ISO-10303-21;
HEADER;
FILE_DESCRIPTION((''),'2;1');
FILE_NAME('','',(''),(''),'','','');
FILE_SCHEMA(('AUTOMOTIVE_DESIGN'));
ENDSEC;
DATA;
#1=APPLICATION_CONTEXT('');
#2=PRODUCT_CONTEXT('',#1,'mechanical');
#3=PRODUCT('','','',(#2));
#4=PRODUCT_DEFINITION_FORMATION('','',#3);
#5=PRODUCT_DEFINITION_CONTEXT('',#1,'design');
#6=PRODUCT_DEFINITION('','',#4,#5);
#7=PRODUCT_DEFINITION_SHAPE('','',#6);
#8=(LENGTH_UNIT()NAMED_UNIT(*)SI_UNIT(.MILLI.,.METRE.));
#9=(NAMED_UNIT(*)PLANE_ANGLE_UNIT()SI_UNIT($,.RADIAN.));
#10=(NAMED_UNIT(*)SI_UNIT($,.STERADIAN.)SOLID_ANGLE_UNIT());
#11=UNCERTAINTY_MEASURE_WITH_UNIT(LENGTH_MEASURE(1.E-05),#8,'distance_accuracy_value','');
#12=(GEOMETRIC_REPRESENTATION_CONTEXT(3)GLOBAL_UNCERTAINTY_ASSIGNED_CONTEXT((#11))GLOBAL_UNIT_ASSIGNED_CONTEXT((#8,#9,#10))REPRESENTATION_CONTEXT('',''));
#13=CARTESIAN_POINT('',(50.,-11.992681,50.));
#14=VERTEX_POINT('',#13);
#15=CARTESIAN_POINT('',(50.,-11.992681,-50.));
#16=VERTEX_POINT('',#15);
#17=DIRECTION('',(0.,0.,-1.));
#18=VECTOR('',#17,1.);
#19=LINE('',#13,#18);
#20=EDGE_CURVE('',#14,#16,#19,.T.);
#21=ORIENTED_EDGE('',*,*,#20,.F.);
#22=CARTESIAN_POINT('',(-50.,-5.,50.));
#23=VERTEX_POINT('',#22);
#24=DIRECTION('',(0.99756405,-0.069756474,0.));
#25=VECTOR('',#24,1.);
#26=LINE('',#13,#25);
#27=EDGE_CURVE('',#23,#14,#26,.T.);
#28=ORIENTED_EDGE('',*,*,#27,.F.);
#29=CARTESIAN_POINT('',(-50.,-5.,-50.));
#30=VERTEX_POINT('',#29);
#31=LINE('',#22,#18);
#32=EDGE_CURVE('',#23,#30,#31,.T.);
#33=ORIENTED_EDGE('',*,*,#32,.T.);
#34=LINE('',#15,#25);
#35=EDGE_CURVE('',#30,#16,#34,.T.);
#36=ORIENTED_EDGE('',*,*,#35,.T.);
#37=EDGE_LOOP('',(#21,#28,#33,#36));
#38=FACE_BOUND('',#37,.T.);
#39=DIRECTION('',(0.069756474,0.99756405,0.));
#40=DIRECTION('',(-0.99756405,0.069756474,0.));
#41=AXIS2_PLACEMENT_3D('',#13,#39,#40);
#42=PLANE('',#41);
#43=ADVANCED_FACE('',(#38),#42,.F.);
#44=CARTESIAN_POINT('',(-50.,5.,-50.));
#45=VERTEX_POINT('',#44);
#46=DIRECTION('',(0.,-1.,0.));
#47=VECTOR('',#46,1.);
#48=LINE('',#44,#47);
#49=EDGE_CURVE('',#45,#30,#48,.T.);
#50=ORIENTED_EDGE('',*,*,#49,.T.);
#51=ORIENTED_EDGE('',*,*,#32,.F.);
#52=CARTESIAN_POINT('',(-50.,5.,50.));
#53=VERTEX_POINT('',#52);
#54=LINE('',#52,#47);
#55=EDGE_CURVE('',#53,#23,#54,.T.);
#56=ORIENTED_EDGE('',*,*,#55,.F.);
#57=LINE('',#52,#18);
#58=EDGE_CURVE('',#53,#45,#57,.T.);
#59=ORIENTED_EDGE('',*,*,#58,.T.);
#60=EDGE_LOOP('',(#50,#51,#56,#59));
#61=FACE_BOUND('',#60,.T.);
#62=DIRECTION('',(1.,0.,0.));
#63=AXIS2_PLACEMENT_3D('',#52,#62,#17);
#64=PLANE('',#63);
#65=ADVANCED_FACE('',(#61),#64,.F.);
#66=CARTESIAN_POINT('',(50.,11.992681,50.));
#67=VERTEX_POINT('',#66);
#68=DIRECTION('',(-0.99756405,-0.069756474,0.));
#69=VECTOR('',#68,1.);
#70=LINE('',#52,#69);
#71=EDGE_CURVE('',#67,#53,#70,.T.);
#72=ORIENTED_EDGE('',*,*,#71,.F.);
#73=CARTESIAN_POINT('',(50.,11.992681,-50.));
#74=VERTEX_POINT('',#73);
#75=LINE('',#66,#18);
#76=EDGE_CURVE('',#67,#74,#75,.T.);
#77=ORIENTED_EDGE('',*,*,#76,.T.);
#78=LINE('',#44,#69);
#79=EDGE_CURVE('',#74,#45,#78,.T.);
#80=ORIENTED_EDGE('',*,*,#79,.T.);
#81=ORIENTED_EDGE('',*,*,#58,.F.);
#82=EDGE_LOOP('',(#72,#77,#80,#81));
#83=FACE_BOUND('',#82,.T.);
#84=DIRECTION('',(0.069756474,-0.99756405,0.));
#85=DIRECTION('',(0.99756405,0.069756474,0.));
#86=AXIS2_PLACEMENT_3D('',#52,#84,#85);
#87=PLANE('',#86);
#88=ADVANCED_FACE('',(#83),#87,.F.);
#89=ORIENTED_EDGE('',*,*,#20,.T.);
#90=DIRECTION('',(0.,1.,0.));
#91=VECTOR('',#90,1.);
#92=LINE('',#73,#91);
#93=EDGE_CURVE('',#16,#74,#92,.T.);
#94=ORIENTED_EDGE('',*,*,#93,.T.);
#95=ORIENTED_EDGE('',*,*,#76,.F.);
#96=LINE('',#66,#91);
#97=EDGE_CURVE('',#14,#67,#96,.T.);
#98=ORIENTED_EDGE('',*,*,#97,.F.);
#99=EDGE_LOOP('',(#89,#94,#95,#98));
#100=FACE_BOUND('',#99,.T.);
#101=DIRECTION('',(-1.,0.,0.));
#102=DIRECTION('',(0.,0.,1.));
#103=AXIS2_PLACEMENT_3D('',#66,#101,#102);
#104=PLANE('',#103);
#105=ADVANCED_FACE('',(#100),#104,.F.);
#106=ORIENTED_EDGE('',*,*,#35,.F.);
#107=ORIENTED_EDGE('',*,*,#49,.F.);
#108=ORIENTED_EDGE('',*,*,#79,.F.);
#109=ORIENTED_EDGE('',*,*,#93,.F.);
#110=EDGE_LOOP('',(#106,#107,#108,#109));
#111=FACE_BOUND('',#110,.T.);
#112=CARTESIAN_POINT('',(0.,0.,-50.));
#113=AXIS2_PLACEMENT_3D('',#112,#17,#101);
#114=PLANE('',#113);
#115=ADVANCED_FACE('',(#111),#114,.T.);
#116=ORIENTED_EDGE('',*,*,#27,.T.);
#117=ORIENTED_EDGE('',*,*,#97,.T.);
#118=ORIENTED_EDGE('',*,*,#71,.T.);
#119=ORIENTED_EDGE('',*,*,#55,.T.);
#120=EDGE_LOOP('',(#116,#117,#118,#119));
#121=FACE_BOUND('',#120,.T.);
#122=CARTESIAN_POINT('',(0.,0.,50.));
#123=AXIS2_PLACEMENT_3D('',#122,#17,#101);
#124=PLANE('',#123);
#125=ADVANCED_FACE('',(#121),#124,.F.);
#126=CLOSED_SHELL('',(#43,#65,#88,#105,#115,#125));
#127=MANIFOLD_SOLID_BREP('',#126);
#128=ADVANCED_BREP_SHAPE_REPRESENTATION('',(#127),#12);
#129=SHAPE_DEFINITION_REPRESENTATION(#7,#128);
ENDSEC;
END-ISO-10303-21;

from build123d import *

# Parameters (mm, degrees)
BOSS_EXTRUDE1_DEPTH = 50


with BuildPart() as part:
    # Sketch1 → Boss-Extrude1 (new, symmetric)
    with BuildSketch(Plane.XY):
        Polygon((-50, 5), (-50, -5), (50, -11.992681194), (50, 11.992681194), align=None)
    extrude(amount=BOSS_EXTRUDE1_DEPTH, both=True)


solid = part.part
